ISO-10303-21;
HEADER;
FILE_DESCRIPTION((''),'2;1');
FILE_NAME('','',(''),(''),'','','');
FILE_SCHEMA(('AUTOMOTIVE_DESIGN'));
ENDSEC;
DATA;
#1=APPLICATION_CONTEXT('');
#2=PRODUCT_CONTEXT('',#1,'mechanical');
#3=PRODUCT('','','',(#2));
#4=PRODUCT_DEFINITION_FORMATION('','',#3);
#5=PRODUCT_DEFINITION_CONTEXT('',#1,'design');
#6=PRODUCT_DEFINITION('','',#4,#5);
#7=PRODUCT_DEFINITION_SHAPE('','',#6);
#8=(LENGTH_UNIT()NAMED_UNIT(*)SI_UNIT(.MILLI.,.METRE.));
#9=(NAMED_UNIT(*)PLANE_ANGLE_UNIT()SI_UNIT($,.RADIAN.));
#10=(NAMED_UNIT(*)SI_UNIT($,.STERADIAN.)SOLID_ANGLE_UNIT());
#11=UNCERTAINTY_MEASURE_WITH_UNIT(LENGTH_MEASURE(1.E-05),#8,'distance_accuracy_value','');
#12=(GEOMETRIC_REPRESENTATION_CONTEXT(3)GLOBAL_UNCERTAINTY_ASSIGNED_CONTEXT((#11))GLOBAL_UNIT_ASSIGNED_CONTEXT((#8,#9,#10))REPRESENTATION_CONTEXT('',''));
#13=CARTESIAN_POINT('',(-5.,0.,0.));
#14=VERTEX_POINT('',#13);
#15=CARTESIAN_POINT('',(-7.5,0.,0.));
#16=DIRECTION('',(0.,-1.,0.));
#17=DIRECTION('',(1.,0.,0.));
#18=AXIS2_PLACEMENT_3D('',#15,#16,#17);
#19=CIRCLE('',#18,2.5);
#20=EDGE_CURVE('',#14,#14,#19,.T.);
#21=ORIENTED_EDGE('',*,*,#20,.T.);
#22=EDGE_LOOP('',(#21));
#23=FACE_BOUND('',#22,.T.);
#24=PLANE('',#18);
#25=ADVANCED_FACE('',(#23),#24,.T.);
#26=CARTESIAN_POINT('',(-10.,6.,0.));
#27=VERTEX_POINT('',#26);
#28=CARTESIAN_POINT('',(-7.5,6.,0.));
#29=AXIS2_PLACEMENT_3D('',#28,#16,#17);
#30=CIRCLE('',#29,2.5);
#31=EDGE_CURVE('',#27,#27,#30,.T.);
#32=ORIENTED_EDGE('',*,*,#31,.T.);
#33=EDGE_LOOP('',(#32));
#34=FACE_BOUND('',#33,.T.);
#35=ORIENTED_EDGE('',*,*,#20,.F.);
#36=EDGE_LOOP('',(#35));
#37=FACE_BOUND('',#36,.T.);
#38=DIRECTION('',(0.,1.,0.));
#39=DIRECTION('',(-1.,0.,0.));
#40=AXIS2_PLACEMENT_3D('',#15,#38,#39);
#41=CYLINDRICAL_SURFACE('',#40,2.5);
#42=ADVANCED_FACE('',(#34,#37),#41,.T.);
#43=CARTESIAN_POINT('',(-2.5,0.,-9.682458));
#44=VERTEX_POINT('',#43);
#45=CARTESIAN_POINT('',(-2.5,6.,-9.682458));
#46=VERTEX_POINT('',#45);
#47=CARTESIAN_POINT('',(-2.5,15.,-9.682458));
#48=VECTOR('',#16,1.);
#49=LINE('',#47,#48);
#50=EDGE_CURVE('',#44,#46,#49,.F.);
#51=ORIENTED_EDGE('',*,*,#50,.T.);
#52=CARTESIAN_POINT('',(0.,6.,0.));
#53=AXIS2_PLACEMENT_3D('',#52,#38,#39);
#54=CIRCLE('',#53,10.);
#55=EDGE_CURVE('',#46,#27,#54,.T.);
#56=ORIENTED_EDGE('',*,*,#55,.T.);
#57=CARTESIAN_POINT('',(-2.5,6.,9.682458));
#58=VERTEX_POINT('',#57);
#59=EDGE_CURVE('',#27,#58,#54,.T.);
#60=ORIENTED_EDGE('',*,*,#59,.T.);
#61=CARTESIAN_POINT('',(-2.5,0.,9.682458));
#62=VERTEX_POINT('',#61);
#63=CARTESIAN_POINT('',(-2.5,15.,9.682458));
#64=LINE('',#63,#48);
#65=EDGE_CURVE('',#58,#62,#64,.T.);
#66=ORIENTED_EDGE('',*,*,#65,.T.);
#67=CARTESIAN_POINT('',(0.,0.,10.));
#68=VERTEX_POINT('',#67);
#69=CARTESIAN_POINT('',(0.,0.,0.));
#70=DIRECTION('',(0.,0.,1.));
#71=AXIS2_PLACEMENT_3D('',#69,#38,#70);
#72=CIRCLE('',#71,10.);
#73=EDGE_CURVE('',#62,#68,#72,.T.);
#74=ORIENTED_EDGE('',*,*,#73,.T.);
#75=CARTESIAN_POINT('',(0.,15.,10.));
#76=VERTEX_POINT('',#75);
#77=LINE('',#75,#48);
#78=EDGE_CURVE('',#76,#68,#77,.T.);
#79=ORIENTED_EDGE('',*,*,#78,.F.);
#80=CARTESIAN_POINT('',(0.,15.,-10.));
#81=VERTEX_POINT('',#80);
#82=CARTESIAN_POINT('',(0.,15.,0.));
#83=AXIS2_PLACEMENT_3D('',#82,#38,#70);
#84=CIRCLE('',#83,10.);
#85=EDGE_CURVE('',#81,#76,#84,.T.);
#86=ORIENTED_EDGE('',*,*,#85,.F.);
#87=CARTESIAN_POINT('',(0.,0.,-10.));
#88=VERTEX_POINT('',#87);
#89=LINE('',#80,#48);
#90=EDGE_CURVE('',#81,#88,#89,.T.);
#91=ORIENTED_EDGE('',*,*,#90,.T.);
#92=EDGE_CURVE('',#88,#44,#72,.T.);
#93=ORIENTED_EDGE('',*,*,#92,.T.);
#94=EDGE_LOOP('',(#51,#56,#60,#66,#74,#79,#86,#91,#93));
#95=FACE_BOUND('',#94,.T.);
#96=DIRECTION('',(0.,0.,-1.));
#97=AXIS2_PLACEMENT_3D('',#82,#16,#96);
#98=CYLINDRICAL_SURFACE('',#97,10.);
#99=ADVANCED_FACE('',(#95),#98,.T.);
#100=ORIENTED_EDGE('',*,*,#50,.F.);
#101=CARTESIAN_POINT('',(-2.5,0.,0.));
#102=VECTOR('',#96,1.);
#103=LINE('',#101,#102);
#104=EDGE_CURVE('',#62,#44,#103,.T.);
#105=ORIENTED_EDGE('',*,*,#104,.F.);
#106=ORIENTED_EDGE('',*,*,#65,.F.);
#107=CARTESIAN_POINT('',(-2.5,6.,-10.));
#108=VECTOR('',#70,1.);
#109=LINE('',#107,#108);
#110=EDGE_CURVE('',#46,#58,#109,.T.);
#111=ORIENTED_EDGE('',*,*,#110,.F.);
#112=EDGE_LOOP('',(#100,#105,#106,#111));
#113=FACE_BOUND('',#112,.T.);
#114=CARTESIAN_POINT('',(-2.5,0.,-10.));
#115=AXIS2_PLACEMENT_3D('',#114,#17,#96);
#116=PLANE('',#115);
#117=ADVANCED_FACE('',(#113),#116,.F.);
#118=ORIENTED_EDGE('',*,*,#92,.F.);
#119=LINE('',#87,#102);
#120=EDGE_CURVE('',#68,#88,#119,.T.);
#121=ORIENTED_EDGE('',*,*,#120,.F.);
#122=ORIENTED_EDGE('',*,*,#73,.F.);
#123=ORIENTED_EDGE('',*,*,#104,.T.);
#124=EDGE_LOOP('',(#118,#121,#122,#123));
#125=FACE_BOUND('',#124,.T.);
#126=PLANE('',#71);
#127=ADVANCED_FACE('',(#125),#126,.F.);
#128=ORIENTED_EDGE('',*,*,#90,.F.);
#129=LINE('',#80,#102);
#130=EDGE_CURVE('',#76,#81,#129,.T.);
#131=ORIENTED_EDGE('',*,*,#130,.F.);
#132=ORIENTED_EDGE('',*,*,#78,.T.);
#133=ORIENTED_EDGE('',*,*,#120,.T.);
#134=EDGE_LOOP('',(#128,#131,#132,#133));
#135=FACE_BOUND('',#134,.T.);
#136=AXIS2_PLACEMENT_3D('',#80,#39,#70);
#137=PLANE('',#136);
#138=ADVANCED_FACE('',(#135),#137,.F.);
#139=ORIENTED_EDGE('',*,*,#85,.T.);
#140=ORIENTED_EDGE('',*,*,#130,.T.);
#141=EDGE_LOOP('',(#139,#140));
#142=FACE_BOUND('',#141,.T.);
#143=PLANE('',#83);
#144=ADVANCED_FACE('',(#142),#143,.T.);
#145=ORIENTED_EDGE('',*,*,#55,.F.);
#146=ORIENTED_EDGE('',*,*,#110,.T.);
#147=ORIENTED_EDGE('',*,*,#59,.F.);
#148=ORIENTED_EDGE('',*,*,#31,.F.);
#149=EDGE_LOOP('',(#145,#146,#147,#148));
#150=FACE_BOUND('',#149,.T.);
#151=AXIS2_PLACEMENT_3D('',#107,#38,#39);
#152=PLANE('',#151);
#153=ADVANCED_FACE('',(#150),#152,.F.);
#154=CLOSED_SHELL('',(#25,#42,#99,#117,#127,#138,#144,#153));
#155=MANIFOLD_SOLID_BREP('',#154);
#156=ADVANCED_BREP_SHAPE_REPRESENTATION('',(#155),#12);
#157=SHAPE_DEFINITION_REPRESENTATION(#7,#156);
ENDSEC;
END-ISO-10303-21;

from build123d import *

# Parameters (mm, degrees)
SALIENTE_EXTRUIR1_DEPTH = 15
CROQUIS2_W              = 7.5
CROQUIS2_H              = 6
CORTAR_EXTRUIR2_DEPTH   = 27.925824036
CROQUIS4_R              = 2.5
SALIENTE_EXTRUIR2_DEPTH = 6


with BuildPart() as part:
    # Croquis1 → Saliente-Extruir1 (new body)
    with BuildSketch(Plane(origin=(0, 0, 0), x_dir=(1, 0, 0), z_dir=(0, 1, 0))):
        with BuildLine():
            Line((0, 10), (0, -10))
            ThreePointArc((0, -10), (-10, 0), (0, 10))
        make_face()
    extrude(amount=SALIENTE_EXTRUIR1_DEPTH)

    # Croquis2 → Cortar-Extruir2 (cut, through all)
    with BuildSketch(Plane.XY.offset(10)):
        with Locations((-6.25, 3)):
            Rectangle(CROQUIS2_W, CROQUIS2_H)
    extrude(amount=-CORTAR_EXTRUIR2_DEPTH, mode=Mode.SUBTRACT)

    # Croquis4 → Saliente-Extruir2 (add)
    with BuildSketch(Plane.XZ.offset(-6)):
        with Locations(Location((-7.5, 0, 0), (0, 0, 179.999408267))):
            Circle(CROQUIS4_R)
    extrude(amount=SALIENTE_EXTRUIR2_DEPTH)


solid = part.part
